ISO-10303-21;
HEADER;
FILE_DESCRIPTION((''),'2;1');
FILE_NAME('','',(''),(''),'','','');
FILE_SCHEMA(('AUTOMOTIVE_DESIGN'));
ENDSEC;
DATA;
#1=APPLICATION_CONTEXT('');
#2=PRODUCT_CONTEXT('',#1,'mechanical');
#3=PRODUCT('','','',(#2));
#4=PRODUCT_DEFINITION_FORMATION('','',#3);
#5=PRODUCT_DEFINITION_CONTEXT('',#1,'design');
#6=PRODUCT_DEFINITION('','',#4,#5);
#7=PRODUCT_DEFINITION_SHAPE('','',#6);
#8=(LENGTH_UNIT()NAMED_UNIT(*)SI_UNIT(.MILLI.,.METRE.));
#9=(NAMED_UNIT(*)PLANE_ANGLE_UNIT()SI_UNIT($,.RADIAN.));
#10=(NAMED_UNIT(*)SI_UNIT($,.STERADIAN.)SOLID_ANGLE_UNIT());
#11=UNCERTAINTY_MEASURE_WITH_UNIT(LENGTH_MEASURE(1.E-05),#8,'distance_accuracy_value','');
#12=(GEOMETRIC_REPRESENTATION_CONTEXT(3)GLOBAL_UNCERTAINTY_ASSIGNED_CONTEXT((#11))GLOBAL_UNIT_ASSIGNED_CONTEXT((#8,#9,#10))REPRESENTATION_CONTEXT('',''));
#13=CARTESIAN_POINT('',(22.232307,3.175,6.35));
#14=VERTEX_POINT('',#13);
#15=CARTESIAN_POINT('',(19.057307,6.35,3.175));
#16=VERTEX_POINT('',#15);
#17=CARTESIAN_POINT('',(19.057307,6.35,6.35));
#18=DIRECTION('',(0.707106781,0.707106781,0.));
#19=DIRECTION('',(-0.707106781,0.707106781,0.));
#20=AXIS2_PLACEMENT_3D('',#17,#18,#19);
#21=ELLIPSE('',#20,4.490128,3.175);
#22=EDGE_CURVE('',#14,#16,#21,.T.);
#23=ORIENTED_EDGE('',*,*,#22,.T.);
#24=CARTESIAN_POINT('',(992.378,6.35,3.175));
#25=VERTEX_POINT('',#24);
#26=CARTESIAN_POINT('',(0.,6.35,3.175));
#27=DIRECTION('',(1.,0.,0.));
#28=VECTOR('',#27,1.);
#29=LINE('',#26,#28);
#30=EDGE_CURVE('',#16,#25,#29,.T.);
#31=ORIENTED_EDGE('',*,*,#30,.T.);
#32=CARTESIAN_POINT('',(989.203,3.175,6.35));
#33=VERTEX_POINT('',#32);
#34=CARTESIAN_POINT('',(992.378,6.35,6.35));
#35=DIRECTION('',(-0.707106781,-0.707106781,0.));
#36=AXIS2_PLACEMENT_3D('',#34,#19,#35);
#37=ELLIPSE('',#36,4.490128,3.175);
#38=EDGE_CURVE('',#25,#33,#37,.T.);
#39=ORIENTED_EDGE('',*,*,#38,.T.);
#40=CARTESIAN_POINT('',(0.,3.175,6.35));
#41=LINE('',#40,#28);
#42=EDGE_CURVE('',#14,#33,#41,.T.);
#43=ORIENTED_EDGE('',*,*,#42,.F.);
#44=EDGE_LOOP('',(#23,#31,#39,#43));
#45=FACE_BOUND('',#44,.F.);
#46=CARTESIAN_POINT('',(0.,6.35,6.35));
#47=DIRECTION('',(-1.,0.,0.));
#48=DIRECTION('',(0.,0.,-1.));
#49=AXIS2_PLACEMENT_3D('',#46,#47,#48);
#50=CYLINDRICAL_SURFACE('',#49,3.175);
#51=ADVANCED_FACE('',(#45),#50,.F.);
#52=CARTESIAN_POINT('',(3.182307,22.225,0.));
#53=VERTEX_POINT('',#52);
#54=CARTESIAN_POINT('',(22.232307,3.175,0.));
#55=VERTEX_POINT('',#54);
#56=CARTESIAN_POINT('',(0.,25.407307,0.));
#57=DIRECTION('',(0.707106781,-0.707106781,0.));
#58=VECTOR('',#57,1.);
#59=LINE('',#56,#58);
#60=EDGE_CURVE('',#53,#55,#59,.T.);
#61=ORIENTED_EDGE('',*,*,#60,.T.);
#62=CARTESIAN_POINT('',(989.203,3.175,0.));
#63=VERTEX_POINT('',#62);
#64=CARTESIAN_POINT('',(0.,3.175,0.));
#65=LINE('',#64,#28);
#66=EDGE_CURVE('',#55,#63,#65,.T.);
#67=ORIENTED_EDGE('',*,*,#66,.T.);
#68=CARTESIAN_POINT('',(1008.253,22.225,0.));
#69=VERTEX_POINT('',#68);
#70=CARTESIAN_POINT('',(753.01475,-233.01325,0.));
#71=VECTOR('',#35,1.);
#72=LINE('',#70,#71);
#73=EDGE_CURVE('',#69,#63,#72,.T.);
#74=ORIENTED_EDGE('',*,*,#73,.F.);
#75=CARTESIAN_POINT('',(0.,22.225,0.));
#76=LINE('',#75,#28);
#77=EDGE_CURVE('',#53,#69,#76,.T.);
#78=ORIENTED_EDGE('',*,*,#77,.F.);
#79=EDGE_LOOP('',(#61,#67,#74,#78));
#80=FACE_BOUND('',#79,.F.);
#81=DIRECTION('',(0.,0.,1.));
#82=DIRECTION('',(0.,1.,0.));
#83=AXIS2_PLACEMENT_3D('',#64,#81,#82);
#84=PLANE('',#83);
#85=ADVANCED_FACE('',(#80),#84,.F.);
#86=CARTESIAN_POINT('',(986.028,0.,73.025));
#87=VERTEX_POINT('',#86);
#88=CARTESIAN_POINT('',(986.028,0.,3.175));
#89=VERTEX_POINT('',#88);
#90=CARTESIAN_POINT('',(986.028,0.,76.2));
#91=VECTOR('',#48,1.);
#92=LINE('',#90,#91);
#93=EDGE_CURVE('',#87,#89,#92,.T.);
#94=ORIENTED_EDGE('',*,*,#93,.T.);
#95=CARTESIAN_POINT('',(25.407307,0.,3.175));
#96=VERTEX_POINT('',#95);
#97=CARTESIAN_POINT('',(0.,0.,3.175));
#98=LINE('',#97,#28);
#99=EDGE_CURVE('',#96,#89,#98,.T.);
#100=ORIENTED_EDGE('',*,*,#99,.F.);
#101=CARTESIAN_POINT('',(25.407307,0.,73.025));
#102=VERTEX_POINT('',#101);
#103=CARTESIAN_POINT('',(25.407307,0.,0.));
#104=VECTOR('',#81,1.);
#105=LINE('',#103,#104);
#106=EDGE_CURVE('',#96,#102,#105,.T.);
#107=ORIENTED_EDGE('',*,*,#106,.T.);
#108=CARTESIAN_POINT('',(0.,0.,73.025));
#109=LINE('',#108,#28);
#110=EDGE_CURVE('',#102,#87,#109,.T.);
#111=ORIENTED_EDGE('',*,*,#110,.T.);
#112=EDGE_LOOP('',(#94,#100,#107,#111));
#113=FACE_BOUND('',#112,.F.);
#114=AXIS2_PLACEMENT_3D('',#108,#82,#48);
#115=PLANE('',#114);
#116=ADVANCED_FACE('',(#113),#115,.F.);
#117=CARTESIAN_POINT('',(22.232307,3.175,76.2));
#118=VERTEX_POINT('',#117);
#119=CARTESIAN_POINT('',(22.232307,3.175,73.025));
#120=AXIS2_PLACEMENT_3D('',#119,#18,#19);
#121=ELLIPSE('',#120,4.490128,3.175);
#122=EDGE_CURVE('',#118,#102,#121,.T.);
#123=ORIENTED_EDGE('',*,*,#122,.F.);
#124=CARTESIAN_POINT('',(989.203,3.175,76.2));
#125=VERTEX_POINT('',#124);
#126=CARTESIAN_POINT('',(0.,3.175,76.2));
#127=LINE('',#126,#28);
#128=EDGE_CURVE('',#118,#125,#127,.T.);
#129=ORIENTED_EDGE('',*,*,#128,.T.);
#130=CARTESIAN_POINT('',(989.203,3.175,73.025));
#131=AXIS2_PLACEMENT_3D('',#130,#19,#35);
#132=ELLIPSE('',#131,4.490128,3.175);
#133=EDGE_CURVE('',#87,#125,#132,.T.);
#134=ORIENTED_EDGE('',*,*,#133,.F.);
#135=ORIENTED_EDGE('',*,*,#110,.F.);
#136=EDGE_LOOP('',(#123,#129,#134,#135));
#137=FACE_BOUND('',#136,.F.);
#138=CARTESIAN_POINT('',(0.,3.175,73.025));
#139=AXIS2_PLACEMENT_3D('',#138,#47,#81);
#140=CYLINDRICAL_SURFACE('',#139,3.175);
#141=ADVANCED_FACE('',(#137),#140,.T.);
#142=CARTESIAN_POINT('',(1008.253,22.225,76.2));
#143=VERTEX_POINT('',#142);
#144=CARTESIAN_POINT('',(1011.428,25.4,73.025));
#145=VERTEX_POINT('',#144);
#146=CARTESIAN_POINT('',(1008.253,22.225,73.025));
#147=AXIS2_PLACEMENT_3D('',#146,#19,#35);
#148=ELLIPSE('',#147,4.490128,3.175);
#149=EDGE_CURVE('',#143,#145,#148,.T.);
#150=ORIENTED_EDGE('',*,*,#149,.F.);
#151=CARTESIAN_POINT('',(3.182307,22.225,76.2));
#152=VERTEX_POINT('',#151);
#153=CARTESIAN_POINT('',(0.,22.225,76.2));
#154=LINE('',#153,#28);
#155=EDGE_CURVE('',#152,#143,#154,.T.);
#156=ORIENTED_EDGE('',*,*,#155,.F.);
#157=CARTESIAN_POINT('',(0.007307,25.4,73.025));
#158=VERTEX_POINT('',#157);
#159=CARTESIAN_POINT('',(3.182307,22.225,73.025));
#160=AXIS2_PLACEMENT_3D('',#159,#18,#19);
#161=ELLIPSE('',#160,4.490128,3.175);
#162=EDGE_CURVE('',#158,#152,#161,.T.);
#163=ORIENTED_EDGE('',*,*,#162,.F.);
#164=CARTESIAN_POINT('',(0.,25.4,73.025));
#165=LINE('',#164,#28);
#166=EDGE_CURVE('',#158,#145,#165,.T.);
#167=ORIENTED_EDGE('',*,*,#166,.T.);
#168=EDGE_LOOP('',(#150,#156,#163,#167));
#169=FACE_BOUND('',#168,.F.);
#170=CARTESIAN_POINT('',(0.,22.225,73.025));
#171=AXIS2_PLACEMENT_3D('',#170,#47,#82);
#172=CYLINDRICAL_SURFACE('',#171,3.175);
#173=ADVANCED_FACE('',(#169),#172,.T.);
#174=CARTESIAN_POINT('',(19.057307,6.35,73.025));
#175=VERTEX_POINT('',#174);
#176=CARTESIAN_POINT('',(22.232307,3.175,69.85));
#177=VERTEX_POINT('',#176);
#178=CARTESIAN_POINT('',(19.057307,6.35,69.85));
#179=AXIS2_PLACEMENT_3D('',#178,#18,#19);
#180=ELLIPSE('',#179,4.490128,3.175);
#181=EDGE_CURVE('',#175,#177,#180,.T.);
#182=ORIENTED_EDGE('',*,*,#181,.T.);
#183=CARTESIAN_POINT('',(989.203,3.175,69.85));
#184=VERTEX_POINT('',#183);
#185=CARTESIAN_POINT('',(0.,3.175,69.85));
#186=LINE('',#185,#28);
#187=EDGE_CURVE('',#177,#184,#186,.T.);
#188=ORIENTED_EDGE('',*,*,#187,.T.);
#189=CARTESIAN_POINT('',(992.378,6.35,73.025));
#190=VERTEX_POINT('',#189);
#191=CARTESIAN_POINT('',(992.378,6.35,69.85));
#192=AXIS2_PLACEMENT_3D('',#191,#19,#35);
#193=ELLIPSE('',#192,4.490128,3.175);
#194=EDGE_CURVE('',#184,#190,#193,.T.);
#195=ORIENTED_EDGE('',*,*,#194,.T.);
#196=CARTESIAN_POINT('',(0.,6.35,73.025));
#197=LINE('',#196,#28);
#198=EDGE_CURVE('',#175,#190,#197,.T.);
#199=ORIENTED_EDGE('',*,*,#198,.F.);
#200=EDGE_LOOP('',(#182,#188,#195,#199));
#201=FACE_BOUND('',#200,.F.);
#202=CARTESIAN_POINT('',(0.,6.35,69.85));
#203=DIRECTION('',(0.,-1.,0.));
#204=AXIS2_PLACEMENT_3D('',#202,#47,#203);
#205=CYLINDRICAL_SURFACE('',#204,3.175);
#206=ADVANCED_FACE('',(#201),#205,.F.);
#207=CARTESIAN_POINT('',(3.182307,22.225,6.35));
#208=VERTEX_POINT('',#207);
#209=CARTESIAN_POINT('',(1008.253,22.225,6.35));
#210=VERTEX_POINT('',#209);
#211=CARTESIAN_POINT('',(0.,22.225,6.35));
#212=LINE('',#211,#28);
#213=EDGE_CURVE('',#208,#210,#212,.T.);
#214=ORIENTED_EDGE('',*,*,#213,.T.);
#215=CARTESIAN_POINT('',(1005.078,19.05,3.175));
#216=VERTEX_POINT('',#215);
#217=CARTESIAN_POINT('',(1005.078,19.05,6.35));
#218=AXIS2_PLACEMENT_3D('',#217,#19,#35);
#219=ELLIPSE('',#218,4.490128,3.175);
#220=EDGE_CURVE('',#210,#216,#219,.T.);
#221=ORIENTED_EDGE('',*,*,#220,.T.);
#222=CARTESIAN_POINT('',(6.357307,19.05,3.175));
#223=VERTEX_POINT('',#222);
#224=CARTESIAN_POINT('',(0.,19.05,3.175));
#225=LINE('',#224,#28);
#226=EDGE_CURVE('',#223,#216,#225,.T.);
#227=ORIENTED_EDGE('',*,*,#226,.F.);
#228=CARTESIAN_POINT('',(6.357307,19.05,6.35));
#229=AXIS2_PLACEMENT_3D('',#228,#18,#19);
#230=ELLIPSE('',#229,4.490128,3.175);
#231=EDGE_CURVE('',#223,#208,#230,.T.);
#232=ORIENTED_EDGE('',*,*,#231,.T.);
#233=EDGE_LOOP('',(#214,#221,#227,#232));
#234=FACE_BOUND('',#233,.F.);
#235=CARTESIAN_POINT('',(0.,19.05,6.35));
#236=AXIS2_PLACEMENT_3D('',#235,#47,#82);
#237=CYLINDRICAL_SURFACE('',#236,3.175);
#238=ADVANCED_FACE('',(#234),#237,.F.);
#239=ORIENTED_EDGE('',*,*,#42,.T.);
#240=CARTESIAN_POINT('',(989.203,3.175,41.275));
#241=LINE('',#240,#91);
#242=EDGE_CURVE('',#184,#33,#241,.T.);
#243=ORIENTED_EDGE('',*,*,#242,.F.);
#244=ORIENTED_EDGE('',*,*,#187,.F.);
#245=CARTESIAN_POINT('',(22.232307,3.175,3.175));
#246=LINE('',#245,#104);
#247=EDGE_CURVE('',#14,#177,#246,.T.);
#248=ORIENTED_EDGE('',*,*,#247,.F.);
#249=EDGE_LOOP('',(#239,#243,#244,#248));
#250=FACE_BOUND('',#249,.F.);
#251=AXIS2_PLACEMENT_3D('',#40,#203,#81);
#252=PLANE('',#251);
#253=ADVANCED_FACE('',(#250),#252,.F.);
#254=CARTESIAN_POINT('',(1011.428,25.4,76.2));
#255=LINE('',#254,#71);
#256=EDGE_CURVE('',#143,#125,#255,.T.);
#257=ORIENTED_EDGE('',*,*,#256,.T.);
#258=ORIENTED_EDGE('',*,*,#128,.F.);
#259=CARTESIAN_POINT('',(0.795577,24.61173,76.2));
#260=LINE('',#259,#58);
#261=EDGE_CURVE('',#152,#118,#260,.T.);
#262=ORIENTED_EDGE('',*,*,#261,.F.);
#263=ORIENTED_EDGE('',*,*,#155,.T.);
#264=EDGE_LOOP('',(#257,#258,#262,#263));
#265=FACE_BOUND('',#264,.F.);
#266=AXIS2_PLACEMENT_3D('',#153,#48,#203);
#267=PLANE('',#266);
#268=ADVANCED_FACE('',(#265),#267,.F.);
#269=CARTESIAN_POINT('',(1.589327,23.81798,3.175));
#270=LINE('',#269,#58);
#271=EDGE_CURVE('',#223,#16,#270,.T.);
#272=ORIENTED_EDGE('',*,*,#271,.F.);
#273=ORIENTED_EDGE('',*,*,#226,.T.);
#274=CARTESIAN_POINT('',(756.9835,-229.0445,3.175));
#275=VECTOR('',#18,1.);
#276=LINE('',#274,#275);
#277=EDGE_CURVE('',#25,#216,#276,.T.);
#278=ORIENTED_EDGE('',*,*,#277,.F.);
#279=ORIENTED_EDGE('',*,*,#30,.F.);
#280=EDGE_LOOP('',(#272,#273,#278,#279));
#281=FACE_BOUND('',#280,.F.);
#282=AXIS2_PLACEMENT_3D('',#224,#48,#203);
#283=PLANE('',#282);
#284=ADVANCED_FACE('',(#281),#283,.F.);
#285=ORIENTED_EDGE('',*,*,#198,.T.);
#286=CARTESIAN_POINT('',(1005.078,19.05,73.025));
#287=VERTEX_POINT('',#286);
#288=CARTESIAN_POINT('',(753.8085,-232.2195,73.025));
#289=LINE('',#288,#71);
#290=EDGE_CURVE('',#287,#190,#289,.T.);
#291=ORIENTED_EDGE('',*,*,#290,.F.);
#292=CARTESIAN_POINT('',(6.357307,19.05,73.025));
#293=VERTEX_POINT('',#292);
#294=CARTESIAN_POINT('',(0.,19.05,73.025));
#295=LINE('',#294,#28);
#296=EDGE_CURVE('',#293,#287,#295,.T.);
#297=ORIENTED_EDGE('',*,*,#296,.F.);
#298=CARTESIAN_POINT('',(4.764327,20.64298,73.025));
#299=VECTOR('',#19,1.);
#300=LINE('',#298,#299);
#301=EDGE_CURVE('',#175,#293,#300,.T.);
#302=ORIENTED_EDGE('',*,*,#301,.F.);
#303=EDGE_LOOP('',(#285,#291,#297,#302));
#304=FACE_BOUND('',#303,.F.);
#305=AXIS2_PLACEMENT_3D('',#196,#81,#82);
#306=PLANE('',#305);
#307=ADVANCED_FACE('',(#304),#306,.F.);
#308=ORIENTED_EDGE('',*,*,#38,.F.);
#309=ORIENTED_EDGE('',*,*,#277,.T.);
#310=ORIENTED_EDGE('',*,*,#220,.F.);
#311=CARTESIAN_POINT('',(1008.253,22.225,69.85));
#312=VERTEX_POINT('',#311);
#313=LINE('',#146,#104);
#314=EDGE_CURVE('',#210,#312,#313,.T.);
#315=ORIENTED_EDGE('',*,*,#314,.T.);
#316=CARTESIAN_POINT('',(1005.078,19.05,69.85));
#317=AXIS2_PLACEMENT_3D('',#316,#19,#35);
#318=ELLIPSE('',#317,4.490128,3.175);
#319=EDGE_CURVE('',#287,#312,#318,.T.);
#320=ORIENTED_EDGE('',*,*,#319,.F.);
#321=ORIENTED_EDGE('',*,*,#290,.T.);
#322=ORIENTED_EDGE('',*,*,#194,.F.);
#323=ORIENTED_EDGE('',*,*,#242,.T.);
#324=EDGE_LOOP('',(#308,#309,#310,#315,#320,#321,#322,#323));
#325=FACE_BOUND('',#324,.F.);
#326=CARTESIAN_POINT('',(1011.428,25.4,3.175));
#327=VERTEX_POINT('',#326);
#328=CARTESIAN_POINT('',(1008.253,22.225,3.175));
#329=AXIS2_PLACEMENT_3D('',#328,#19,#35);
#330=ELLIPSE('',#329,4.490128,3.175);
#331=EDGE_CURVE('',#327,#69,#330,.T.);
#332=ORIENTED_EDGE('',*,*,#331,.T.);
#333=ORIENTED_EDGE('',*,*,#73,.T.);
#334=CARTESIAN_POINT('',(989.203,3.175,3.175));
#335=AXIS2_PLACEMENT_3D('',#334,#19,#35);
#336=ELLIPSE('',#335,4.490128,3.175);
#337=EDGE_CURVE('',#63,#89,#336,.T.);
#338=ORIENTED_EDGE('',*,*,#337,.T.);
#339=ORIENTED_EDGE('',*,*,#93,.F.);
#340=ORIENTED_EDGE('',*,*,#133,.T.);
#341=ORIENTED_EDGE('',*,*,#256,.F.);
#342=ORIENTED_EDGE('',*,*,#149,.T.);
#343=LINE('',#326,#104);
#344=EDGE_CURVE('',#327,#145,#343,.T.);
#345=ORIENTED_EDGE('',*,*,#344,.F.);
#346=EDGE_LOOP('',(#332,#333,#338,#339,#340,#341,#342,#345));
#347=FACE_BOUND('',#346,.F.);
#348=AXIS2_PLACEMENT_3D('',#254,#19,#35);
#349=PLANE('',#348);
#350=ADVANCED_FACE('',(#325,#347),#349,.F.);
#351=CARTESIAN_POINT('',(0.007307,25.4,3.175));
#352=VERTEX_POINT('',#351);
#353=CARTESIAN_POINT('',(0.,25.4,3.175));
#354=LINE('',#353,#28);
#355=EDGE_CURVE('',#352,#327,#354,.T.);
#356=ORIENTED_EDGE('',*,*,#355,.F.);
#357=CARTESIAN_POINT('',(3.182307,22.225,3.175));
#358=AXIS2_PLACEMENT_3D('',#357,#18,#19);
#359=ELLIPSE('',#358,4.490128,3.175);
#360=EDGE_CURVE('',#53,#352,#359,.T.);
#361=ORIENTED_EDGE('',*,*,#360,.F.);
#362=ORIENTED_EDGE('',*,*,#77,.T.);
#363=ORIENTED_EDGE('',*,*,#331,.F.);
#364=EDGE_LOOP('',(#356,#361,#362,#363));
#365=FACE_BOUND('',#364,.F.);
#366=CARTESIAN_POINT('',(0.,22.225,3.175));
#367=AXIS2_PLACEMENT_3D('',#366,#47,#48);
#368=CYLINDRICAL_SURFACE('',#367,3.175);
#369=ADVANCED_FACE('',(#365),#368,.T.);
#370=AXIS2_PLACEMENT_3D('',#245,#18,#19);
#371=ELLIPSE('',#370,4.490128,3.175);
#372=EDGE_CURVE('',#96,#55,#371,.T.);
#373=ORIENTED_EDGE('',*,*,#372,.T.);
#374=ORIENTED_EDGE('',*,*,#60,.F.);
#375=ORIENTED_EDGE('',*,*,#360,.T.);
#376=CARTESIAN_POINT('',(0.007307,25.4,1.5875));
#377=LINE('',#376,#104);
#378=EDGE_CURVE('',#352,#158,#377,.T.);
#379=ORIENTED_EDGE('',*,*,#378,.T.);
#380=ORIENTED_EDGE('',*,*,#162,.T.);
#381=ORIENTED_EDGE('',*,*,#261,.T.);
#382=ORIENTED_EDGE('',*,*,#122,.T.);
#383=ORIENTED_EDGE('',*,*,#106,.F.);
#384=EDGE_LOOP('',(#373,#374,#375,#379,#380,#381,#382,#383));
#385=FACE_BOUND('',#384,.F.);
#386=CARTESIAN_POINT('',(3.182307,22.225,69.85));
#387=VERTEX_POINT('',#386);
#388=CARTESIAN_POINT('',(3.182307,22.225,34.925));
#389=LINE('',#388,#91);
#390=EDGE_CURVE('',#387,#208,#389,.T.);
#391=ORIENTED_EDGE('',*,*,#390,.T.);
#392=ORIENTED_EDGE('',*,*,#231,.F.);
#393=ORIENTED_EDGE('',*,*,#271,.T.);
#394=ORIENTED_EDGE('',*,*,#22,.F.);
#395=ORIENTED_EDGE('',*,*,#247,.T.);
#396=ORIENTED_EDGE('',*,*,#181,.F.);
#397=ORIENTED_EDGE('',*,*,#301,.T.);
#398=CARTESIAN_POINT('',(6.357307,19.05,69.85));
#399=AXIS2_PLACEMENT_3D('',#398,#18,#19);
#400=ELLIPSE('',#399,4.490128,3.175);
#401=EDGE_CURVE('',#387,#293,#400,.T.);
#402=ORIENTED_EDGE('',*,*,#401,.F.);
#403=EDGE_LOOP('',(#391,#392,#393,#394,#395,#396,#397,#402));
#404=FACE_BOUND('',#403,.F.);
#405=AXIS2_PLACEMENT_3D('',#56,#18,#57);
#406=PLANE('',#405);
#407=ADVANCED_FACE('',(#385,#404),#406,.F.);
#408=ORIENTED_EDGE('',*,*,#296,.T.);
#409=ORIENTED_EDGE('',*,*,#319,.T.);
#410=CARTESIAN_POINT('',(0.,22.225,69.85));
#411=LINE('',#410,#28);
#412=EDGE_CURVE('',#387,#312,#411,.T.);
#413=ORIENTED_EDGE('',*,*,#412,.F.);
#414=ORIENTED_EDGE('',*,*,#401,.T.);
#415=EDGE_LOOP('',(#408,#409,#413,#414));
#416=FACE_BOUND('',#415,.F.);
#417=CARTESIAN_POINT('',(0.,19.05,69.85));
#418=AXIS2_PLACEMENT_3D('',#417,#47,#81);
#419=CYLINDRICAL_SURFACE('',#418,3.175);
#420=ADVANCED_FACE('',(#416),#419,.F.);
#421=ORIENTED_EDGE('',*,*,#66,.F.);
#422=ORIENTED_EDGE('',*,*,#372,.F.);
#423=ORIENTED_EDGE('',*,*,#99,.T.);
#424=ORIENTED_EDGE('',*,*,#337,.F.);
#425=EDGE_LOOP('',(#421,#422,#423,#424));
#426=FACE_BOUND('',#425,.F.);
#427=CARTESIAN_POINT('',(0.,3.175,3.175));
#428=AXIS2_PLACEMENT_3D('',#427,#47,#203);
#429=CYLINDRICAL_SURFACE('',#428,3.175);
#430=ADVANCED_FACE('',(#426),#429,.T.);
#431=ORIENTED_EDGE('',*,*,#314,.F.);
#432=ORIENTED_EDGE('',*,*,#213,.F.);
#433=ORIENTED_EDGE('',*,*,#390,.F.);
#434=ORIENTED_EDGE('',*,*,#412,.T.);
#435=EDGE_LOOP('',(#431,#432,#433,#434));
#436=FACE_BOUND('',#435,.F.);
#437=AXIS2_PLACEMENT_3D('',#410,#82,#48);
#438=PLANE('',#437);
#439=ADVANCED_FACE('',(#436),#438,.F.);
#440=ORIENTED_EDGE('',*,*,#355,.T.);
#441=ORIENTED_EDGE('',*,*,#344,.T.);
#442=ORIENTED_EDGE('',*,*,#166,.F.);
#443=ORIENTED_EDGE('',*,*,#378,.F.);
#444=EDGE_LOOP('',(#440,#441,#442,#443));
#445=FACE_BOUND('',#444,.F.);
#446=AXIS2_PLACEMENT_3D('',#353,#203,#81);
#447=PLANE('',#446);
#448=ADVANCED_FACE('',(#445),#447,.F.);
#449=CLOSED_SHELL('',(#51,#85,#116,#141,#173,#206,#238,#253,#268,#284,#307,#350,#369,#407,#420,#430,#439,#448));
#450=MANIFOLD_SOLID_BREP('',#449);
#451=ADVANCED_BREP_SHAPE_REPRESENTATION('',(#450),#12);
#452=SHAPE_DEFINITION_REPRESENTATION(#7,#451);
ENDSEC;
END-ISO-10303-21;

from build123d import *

# Parameters (mm, degrees)
F1_DEPTH = 1011.428
F3_DEPTH = 76.201
F5_DEPTH = 76.201


with BuildPart() as f1:
    # F0 (on Right) → F1 (new body)
    with BuildSketch(Plane.YZ):
        with BuildLine():
            ThreePointArc((0, 3.175), (0.9299359697, 0.9299359697), (3.175, 0))
            Line((3.175, 0), (22.225, 0))
            ThreePointArc((22.225, 0), (24.4700640303, 0.9299359697), (25.4, 3.175))
            Line((25.4, 3.175), (25.4, 73.025))
            ThreePointArc((25.4, 73.025), (24.4700640303, 75.2700640303), (22.225, 76.2))
            Line((22.225, 76.2), (3.175, 76.2))
            ThreePointArc((3.175, 76.2), (0.9299359697, 75.2700640303), (0, 73.025))
            Line((0, 73.025), (0, 3.175))
        make_face()
        with BuildLine():
            Line((19.05, 3.175), (6.35, 3.175))
            ThreePointArc((6.35, 3.175), (4.1049359697, 4.1049359697), (3.175, 6.35))
            Line((3.175, 6.35), (3.175, 69.85))
            ThreePointArc((3.175, 69.85), (4.1049359697, 72.0950640303), (6.35, 73.025))
            Line((6.35, 73.025), (19.05, 73.025))
            ThreePointArc((19.05, 73.025), (21.2950640303, 72.0950640303), (22.225, 69.85))
            Line((22.225, 69.85), (22.225, 6.35))
            ThreePointArc((22.225, 6.35), (21.2950640303, 4.1049359697), (19.05, 3.175))
        make_face(mode=Mode.SUBTRACT)
    extrude(amount=F1_DEPTH)

    # F2 (on face) → F3 (cut, through all)
    with BuildSketch(Plane(origin=(0, 0, 0), x_dir=(1, 0, 0), z_dir=(0, 0, -1))):
        Polygon((22.23230685, -3.175), (0, -3.175), (0, -22.225), (3.18230685, -22.225), align=None)
        Polygon((3.18230685, -22.225), (0, -22.225), (0, -25.40730685), align=None)
        Polygon((25.40730685, 0), (0, 0), (0, -3.175), (22.23230685, -3.175), align=None)
    extrude(amount=-F3_DEPTH, mode=Mode.SUBTRACT)

    # F4 (on face) → F5 (cut, through all)
    with BuildSketch(Plane.XY.offset(76.2)):
        Polygon((1011.428, 22.225), (1011.428, 25.4), (1008.253, 22.225), align=None)
        Polygon((1011.428, 0), (1011.428, 3.175), (989.203, 3.175), (986.028, 0), align=None)
        Polygon((1011.428, 3.175), (1011.428, 22.225), (1008.253, 22.225), (989.203, 3.175), align=None)
    extrude(amount=-F5_DEPTH, mode=Mode.SUBTRACT)


solid = f1.part
